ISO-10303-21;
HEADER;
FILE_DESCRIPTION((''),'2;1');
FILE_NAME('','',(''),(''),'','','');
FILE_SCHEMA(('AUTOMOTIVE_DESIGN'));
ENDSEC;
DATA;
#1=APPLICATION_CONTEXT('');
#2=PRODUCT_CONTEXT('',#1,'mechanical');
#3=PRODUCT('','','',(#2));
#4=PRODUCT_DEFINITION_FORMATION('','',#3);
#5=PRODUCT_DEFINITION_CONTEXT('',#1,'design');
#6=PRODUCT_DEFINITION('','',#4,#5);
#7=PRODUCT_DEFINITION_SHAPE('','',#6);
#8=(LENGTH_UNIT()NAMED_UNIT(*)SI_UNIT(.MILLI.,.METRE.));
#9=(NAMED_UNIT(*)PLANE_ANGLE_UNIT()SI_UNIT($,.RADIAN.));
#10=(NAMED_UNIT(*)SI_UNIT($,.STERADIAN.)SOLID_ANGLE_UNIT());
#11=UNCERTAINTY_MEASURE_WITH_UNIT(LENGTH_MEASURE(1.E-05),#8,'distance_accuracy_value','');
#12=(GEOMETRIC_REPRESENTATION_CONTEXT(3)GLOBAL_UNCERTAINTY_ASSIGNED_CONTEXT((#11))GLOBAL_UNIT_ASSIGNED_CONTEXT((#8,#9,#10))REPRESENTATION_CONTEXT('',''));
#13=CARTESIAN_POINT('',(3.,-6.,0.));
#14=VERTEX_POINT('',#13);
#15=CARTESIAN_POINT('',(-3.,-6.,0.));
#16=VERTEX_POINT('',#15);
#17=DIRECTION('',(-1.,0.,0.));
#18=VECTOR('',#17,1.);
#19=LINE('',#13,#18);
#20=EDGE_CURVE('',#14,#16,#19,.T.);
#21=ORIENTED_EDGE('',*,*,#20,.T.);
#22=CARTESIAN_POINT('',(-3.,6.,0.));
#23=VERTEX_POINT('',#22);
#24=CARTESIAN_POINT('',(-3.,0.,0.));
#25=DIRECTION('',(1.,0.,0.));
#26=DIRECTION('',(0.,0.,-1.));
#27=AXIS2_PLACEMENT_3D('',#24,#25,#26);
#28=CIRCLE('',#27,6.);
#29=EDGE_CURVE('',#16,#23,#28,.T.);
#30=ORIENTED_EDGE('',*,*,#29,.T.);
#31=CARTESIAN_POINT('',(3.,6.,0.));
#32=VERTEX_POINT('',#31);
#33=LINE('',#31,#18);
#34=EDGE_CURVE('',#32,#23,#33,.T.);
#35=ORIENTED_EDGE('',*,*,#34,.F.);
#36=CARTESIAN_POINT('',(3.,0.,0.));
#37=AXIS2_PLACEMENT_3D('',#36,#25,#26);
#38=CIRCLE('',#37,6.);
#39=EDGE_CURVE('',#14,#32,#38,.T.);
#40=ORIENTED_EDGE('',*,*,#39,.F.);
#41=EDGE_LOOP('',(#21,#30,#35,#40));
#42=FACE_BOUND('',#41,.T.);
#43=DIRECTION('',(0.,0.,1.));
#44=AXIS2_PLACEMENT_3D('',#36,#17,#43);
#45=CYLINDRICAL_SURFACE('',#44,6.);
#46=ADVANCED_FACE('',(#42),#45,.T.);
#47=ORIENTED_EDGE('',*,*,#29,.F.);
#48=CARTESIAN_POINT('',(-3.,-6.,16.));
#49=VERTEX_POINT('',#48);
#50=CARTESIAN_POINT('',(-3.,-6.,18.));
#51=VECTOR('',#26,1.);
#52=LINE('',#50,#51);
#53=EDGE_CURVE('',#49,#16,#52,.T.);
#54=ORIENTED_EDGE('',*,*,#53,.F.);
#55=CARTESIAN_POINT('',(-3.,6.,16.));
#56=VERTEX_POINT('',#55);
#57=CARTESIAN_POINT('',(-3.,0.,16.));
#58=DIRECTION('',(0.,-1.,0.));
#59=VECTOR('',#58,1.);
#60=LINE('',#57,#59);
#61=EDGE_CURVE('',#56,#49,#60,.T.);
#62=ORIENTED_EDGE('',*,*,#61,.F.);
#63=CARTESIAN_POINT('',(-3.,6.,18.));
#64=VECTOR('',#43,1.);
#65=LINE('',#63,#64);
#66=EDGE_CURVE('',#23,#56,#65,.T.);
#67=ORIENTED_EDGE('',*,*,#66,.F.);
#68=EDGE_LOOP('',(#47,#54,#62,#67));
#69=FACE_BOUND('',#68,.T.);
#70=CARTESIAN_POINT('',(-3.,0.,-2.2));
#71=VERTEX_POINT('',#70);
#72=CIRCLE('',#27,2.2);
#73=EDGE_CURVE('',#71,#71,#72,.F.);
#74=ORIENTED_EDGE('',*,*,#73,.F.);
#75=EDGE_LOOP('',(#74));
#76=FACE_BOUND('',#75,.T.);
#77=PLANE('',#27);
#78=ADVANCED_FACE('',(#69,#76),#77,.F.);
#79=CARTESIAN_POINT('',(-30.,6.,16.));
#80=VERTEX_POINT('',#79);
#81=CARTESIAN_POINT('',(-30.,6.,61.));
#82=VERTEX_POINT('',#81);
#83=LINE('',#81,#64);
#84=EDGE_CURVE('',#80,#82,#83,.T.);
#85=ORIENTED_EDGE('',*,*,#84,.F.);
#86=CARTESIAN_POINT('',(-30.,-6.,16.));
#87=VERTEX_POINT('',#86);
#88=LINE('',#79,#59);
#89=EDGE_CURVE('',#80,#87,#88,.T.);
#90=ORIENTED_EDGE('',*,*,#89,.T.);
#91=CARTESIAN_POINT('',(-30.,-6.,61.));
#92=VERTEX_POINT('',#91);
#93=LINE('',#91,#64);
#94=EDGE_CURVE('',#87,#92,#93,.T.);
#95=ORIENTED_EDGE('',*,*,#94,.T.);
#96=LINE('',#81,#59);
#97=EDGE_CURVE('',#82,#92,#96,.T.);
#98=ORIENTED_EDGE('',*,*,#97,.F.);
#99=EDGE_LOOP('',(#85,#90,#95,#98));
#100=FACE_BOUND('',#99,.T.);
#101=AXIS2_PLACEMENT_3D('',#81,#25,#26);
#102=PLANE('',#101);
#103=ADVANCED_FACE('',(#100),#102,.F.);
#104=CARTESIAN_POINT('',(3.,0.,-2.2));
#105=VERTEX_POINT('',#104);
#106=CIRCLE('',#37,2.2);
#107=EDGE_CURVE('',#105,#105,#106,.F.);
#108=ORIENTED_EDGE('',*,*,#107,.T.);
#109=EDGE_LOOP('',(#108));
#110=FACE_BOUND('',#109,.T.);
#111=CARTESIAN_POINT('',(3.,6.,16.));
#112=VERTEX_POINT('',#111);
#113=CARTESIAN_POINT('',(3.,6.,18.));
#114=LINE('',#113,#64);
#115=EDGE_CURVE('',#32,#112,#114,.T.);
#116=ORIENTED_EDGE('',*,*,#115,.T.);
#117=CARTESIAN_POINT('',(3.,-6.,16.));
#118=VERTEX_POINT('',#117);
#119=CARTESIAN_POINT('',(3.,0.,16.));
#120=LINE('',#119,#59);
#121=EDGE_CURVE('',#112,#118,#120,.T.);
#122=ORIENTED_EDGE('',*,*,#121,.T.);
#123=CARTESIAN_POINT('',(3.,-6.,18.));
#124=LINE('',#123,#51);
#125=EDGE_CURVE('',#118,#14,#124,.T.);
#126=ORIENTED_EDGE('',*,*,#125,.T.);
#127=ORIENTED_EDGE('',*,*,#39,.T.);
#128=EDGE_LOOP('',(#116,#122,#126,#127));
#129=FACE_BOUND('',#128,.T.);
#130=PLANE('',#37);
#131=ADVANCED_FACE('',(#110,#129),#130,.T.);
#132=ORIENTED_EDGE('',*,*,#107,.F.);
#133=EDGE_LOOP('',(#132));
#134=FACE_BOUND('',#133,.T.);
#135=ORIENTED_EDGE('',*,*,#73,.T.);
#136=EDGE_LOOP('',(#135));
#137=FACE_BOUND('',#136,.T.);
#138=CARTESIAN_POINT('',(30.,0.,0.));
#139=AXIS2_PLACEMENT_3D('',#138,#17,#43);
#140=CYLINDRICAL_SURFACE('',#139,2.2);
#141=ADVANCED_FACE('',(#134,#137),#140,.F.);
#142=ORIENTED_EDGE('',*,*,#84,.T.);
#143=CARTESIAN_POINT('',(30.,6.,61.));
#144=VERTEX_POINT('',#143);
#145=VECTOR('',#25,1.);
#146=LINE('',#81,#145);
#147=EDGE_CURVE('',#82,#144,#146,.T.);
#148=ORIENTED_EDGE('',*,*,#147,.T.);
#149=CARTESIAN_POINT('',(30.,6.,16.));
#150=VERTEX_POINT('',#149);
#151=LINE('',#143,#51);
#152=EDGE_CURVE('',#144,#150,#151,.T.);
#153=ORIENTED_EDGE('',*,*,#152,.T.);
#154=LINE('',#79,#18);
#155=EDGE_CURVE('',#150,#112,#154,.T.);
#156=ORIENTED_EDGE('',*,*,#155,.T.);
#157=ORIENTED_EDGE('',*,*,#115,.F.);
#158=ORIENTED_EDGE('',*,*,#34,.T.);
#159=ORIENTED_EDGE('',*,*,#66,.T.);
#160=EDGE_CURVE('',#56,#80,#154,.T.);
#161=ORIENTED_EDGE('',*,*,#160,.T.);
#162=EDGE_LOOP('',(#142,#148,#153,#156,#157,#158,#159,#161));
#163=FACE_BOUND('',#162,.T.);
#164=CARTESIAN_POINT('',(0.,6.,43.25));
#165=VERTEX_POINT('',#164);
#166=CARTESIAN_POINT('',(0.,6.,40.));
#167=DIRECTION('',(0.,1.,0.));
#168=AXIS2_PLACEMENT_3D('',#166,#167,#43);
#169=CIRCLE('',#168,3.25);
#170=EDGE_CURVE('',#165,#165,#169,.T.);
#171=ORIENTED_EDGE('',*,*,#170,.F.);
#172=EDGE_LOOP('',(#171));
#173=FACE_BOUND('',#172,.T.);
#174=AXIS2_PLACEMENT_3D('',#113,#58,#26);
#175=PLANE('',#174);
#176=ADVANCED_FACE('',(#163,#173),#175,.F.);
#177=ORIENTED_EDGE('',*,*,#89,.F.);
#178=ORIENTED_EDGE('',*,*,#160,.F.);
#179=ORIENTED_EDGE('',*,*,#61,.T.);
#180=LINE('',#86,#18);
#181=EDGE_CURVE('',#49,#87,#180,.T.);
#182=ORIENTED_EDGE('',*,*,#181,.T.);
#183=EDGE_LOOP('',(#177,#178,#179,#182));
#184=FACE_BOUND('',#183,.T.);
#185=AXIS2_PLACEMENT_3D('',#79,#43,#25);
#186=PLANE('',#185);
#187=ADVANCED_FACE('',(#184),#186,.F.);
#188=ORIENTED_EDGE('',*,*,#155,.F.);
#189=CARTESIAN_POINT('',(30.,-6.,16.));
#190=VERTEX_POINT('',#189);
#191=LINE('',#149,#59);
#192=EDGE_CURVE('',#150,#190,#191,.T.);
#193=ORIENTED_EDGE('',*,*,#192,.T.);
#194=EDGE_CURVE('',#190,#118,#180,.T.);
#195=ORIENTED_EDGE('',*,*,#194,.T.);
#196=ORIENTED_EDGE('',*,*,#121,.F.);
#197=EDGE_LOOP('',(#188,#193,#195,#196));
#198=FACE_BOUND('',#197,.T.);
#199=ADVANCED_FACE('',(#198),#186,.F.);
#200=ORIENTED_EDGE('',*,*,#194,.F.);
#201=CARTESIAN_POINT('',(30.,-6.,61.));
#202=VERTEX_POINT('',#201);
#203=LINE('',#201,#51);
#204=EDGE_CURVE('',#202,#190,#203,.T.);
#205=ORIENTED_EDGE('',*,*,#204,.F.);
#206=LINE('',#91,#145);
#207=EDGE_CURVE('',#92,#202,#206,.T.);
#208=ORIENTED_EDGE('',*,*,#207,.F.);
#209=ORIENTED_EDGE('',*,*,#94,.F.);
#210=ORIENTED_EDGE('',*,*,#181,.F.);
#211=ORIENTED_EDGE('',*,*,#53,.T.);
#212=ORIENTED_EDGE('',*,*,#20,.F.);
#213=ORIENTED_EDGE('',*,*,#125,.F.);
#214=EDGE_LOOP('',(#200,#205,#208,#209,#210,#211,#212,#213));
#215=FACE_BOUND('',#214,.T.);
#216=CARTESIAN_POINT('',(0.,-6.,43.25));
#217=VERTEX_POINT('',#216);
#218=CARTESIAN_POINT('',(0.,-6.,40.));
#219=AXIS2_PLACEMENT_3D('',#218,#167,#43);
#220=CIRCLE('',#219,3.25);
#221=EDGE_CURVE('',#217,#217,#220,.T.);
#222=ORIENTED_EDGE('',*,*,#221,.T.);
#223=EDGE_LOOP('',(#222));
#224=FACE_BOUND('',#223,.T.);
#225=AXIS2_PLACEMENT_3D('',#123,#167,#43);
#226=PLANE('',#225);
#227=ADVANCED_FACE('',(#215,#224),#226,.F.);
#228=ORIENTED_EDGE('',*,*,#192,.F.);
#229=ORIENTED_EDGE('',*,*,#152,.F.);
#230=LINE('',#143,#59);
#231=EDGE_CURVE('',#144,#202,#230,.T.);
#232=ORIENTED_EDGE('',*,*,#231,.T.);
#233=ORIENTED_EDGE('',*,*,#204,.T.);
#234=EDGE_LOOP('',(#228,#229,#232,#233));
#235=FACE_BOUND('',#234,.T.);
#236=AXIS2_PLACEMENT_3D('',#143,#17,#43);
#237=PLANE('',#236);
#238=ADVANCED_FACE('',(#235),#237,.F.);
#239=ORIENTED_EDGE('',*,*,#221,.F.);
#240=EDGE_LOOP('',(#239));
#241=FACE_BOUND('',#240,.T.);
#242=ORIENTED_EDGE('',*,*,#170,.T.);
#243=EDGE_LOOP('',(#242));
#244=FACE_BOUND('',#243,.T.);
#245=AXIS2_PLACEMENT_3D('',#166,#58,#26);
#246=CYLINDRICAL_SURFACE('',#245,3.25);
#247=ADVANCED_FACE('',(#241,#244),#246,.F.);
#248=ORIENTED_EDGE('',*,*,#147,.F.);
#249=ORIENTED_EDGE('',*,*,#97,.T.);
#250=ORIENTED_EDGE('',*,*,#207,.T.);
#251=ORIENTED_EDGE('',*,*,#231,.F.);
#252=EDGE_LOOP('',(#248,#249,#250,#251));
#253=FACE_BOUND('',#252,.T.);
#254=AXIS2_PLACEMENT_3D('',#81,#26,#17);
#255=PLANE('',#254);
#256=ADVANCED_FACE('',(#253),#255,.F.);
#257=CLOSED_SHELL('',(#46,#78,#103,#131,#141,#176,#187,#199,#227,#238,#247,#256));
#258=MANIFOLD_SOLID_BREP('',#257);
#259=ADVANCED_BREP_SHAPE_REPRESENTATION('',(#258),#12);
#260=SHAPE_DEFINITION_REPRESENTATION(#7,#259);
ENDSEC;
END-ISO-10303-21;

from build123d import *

# Parameters (mm, degrees)
CROQUIS_LENGUETA_BUJE_R        = 6
LENGUETA_BUJE_DEPTH            = 3
CROQUIS_LENGUETA_W             = 18
CROQUIS_LENGUETA_H             = 12
LENGUETA_DEPTH                 = 3
CROQUIS_CEJA_W                 = 60
CROQUIS_CEJA_H                 = 45
CEJA_MONITOR_DEPTH             = 12
AGUJERO_TRIPODE_1_4_DEPTH      = 69.242215673
AGUJERO_TRIPODE_1_4_DEPTH_BACK = 69.242215673
CROQUIS_ROSCA_R                = 3.25
EJE_M4_DEPTH                   = 69.242215673
EJE_M4_DEPTH_BACK              = 69.242215673
CROQUIS_EJE_R                  = 2.2


with BuildPart() as part:
    # Croquis_lengueta_buje → Lengueta_buje (new, symmetric)
    with BuildSketch(Plane(origin=(0, 0, 0), x_dir=(0, 0, -1), z_dir=(1, 0, 0))):
        Circle(CROQUIS_LENGUETA_BUJE_R)
    extrude(amount=LENGUETA_BUJE_DEPTH, both=True)

    # Croquis_lengueta → Lengueta (add, symmetric)
    with BuildSketch(Plane(origin=(0, 0, 0), x_dir=(0, 0, -1), z_dir=(1, 0, 0))):
        with Locations((-9, 0)):
            Rectangle(CROQUIS_LENGUETA_W, CROQUIS_LENGUETA_H)
    extrude(amount=LENGUETA_DEPTH, both=True)

    # Croquis_ceja → Ceja_monitor (add)
    with BuildSketch(Plane(origin=(0, -6, 0), x_dir=(1, 0, 0), z_dir=(0, 1, 0))):
        with Locations((0, -38.5)):
            Rectangle(CROQUIS_CEJA_W, CROQUIS_CEJA_H)
    extrude(amount=CEJA_MONITOR_DEPTH)

    # Croquis_rosca → Agujero_tripode_1_4 (cut, two sides: drawn at the far end of the back side and taken through both)
    with BuildSketch(Plane(origin=(0, 0, 0), x_dir=(1, 0, 0), z_dir=(0, 1, 0)).offset(-AGUJERO_TRIPODE_1_4_DEPTH_BACK)):
        with Locations(Location((0, -40, 0), (0, 0, 270))):
            Circle(CROQUIS_ROSCA_R)
    extrude(amount=AGUJERO_TRIPODE_1_4_DEPTH + AGUJERO_TRIPODE_1_4_DEPTH_BACK, mode=Mode.SUBTRACT)

    # Croquis_eje → Eje_M4 (cut, two sides: drawn at the far end of the back side and taken through both)
    with BuildSketch(Plane(origin=(0, 0, 0), x_dir=(0, 0, -1), z_dir=(1, 0, 0)).offset(-EJE_M4_DEPTH_BACK)):
        Circle(CROQUIS_EJE_R)
    extrude(amount=EJE_M4_DEPTH + EJE_M4_DEPTH_BACK, mode=Mode.SUBTRACT)


solid = part.part
